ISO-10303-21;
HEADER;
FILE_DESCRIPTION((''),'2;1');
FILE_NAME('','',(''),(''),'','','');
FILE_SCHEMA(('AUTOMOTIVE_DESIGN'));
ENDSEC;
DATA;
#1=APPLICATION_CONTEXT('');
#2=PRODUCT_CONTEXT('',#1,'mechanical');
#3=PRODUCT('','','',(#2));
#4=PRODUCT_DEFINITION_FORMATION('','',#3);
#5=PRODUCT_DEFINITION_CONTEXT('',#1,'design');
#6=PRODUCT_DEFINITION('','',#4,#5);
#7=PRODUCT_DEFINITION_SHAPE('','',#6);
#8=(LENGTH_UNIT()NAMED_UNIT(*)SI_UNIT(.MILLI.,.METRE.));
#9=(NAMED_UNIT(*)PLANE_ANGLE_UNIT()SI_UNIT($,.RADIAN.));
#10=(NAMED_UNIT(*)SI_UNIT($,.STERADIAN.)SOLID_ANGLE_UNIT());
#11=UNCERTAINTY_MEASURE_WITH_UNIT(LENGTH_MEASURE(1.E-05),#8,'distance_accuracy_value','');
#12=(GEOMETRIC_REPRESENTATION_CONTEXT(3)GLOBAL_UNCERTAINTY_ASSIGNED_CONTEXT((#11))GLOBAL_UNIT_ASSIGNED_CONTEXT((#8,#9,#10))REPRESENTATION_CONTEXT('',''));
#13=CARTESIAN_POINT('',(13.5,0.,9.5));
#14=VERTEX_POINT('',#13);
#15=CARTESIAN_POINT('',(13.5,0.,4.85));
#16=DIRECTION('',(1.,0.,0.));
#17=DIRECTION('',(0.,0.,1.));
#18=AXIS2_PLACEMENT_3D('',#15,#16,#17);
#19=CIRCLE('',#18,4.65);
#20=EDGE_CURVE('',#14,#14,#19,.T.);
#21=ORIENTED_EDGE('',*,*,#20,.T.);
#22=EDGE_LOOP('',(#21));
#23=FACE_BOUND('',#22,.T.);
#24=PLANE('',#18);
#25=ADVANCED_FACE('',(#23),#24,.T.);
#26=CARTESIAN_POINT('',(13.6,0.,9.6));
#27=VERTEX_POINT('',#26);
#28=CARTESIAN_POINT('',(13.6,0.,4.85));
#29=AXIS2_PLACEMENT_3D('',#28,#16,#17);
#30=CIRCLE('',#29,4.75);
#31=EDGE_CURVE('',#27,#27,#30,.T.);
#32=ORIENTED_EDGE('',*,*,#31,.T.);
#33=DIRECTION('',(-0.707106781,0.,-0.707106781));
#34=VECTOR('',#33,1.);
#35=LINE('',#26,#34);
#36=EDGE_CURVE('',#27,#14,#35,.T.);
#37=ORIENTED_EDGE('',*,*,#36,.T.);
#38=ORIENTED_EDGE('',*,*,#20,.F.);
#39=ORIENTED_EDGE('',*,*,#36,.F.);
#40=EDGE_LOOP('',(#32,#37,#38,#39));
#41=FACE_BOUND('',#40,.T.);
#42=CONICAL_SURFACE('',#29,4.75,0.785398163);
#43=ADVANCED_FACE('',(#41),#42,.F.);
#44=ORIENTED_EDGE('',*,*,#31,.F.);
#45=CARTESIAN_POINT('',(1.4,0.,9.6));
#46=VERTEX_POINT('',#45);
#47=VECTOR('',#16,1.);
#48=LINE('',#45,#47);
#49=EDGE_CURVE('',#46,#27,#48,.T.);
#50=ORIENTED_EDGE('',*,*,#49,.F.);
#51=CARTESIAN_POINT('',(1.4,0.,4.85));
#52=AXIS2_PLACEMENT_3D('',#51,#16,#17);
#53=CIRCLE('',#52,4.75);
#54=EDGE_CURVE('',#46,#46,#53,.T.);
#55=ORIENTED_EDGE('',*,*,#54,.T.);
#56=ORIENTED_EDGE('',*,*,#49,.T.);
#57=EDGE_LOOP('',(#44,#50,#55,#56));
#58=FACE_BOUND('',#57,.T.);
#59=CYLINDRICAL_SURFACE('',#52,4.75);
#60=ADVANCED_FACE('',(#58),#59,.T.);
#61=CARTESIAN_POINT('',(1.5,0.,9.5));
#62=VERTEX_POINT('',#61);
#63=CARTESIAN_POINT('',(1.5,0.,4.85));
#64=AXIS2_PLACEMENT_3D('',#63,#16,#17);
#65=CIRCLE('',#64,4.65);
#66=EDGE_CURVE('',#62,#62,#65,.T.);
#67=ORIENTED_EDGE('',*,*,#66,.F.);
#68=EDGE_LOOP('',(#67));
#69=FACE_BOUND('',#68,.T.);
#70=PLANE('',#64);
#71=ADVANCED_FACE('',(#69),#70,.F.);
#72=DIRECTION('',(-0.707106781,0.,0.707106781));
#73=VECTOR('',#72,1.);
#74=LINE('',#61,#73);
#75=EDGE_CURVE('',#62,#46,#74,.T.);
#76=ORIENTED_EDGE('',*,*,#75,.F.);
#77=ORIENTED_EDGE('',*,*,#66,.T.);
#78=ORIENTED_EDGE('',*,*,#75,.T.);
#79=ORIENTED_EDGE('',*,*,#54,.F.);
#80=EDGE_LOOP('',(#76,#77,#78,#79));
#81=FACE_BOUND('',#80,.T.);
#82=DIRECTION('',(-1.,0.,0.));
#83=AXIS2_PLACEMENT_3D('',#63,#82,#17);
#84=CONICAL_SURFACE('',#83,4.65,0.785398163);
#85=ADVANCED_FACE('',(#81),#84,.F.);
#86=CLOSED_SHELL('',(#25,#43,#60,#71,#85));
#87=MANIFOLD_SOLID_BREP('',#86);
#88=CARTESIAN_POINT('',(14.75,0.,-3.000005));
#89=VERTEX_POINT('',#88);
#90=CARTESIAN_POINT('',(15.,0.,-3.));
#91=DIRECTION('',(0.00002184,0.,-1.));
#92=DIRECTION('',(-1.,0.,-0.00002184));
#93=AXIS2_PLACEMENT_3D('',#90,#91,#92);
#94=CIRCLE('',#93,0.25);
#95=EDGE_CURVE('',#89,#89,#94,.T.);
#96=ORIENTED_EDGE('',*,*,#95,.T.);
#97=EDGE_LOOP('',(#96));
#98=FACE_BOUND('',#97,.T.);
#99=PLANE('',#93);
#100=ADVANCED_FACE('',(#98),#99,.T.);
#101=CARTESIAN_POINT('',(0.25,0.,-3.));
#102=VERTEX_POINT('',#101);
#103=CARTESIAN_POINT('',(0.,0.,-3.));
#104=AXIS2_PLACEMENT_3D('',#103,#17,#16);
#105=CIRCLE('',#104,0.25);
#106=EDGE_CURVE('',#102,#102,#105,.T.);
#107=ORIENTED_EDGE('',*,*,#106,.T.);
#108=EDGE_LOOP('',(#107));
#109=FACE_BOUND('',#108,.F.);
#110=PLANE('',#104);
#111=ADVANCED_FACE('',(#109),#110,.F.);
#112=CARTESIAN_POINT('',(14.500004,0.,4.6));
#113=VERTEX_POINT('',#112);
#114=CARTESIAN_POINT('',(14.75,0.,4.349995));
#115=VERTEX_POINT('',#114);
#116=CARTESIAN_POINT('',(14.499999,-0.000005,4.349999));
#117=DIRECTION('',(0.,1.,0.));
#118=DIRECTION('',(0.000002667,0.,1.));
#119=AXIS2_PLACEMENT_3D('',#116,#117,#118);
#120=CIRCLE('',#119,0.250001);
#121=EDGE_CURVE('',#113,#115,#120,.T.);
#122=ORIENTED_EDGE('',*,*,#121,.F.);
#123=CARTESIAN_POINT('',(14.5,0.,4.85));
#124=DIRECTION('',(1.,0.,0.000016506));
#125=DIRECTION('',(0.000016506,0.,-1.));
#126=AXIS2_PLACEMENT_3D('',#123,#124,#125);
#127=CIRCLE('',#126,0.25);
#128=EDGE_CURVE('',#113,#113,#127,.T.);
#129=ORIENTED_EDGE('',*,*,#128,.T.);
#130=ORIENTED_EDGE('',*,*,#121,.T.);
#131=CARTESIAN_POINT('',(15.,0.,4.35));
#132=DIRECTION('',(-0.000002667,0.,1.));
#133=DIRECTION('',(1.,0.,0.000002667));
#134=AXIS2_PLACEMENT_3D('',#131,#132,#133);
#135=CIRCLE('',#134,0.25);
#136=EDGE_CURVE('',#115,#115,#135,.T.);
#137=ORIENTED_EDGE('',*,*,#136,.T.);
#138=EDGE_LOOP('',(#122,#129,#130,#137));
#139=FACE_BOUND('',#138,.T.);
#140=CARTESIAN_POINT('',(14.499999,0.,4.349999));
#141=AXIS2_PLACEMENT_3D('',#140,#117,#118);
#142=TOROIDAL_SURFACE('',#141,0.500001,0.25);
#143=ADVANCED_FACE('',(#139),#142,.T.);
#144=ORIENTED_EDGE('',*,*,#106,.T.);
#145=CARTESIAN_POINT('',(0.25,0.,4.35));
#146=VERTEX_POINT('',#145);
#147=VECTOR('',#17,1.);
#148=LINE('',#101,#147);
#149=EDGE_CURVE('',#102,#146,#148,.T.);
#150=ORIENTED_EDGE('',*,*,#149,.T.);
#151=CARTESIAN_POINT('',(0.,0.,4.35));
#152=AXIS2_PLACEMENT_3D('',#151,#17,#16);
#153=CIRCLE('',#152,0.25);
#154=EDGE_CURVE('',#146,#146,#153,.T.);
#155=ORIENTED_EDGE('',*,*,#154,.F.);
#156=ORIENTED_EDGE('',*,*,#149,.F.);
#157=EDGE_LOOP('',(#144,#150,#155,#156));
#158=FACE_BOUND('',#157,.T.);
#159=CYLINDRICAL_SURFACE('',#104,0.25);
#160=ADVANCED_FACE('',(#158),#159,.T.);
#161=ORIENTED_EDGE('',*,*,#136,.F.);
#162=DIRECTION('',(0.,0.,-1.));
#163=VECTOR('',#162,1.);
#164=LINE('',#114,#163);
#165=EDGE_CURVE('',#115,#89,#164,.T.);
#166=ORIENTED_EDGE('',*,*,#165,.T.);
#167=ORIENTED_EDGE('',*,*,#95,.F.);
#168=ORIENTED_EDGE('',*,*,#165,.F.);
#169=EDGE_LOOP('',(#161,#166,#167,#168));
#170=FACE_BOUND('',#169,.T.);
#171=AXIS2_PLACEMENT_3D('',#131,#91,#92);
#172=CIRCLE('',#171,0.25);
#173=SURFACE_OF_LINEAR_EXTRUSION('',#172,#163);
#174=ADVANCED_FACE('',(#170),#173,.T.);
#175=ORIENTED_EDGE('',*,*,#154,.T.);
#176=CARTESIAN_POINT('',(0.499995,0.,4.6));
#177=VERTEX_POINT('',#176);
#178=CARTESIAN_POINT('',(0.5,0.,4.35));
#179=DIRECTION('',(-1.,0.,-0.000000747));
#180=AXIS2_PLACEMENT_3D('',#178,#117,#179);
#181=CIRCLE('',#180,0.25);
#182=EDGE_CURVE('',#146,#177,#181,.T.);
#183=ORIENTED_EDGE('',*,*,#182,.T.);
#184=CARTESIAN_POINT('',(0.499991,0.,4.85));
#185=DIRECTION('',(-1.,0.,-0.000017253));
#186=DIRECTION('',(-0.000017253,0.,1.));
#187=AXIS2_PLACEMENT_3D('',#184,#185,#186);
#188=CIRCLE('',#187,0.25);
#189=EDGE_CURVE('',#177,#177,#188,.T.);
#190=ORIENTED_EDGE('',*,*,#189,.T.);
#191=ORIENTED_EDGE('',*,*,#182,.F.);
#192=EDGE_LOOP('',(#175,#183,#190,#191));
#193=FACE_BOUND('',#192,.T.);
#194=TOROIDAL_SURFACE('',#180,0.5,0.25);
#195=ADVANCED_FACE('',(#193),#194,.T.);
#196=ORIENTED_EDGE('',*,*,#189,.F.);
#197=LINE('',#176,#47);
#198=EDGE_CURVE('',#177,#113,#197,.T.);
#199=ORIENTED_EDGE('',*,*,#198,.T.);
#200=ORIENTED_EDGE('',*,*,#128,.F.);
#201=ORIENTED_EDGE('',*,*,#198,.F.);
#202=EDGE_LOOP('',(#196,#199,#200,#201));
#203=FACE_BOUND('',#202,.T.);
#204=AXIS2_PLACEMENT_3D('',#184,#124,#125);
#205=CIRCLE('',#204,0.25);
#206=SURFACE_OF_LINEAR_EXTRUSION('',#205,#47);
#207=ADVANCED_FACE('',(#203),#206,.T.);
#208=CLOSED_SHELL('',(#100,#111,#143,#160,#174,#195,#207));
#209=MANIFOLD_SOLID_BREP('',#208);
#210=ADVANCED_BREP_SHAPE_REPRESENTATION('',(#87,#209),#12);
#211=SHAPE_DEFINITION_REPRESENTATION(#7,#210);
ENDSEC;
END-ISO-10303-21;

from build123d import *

# Parameters (mm, degrees)
SKETCH_R = 0.25


with BuildPart() as sweep_body:
    # Sweep: sweep along a path in Sketch001
    with BuildLine(Plane.XZ) as sweep_path:
        Line((0, -3), (0, 4.35))
        ThreePointArc((0, 4.35), (0.146443, 4.70355), (0.499991, 4.85))
        Line((0.499991, 4.85), (14.5, 4.85))
        ThreePointArc((14.5, 4.85), (14.853553, 4.703553), (15, 4.35))
        Line((15, 4.35), (15, -3))
    # Sketch → Sweep (sweep)
    with BuildSketch(Plane.XY.offset(-2)):
        Circle(SKETCH_R)
    sweep(path=sweep_path.line)


with BuildPart() as revolution:
    # Sketch002 → Revolution (revolve)
    with BuildSketch(Plane.XZ):
        Polygon((1.4, 9.6), (13.6, 9.6), (13.5, 9.5), (13.5, 4.85), (1.5, 4.85), (1.5, 9.5), align=None)
    revolve(axis=Axis((7.611803, 0, 4.85), (1, 0, 0)))


solid = Compound([sweep_body.part, revolution.part])
